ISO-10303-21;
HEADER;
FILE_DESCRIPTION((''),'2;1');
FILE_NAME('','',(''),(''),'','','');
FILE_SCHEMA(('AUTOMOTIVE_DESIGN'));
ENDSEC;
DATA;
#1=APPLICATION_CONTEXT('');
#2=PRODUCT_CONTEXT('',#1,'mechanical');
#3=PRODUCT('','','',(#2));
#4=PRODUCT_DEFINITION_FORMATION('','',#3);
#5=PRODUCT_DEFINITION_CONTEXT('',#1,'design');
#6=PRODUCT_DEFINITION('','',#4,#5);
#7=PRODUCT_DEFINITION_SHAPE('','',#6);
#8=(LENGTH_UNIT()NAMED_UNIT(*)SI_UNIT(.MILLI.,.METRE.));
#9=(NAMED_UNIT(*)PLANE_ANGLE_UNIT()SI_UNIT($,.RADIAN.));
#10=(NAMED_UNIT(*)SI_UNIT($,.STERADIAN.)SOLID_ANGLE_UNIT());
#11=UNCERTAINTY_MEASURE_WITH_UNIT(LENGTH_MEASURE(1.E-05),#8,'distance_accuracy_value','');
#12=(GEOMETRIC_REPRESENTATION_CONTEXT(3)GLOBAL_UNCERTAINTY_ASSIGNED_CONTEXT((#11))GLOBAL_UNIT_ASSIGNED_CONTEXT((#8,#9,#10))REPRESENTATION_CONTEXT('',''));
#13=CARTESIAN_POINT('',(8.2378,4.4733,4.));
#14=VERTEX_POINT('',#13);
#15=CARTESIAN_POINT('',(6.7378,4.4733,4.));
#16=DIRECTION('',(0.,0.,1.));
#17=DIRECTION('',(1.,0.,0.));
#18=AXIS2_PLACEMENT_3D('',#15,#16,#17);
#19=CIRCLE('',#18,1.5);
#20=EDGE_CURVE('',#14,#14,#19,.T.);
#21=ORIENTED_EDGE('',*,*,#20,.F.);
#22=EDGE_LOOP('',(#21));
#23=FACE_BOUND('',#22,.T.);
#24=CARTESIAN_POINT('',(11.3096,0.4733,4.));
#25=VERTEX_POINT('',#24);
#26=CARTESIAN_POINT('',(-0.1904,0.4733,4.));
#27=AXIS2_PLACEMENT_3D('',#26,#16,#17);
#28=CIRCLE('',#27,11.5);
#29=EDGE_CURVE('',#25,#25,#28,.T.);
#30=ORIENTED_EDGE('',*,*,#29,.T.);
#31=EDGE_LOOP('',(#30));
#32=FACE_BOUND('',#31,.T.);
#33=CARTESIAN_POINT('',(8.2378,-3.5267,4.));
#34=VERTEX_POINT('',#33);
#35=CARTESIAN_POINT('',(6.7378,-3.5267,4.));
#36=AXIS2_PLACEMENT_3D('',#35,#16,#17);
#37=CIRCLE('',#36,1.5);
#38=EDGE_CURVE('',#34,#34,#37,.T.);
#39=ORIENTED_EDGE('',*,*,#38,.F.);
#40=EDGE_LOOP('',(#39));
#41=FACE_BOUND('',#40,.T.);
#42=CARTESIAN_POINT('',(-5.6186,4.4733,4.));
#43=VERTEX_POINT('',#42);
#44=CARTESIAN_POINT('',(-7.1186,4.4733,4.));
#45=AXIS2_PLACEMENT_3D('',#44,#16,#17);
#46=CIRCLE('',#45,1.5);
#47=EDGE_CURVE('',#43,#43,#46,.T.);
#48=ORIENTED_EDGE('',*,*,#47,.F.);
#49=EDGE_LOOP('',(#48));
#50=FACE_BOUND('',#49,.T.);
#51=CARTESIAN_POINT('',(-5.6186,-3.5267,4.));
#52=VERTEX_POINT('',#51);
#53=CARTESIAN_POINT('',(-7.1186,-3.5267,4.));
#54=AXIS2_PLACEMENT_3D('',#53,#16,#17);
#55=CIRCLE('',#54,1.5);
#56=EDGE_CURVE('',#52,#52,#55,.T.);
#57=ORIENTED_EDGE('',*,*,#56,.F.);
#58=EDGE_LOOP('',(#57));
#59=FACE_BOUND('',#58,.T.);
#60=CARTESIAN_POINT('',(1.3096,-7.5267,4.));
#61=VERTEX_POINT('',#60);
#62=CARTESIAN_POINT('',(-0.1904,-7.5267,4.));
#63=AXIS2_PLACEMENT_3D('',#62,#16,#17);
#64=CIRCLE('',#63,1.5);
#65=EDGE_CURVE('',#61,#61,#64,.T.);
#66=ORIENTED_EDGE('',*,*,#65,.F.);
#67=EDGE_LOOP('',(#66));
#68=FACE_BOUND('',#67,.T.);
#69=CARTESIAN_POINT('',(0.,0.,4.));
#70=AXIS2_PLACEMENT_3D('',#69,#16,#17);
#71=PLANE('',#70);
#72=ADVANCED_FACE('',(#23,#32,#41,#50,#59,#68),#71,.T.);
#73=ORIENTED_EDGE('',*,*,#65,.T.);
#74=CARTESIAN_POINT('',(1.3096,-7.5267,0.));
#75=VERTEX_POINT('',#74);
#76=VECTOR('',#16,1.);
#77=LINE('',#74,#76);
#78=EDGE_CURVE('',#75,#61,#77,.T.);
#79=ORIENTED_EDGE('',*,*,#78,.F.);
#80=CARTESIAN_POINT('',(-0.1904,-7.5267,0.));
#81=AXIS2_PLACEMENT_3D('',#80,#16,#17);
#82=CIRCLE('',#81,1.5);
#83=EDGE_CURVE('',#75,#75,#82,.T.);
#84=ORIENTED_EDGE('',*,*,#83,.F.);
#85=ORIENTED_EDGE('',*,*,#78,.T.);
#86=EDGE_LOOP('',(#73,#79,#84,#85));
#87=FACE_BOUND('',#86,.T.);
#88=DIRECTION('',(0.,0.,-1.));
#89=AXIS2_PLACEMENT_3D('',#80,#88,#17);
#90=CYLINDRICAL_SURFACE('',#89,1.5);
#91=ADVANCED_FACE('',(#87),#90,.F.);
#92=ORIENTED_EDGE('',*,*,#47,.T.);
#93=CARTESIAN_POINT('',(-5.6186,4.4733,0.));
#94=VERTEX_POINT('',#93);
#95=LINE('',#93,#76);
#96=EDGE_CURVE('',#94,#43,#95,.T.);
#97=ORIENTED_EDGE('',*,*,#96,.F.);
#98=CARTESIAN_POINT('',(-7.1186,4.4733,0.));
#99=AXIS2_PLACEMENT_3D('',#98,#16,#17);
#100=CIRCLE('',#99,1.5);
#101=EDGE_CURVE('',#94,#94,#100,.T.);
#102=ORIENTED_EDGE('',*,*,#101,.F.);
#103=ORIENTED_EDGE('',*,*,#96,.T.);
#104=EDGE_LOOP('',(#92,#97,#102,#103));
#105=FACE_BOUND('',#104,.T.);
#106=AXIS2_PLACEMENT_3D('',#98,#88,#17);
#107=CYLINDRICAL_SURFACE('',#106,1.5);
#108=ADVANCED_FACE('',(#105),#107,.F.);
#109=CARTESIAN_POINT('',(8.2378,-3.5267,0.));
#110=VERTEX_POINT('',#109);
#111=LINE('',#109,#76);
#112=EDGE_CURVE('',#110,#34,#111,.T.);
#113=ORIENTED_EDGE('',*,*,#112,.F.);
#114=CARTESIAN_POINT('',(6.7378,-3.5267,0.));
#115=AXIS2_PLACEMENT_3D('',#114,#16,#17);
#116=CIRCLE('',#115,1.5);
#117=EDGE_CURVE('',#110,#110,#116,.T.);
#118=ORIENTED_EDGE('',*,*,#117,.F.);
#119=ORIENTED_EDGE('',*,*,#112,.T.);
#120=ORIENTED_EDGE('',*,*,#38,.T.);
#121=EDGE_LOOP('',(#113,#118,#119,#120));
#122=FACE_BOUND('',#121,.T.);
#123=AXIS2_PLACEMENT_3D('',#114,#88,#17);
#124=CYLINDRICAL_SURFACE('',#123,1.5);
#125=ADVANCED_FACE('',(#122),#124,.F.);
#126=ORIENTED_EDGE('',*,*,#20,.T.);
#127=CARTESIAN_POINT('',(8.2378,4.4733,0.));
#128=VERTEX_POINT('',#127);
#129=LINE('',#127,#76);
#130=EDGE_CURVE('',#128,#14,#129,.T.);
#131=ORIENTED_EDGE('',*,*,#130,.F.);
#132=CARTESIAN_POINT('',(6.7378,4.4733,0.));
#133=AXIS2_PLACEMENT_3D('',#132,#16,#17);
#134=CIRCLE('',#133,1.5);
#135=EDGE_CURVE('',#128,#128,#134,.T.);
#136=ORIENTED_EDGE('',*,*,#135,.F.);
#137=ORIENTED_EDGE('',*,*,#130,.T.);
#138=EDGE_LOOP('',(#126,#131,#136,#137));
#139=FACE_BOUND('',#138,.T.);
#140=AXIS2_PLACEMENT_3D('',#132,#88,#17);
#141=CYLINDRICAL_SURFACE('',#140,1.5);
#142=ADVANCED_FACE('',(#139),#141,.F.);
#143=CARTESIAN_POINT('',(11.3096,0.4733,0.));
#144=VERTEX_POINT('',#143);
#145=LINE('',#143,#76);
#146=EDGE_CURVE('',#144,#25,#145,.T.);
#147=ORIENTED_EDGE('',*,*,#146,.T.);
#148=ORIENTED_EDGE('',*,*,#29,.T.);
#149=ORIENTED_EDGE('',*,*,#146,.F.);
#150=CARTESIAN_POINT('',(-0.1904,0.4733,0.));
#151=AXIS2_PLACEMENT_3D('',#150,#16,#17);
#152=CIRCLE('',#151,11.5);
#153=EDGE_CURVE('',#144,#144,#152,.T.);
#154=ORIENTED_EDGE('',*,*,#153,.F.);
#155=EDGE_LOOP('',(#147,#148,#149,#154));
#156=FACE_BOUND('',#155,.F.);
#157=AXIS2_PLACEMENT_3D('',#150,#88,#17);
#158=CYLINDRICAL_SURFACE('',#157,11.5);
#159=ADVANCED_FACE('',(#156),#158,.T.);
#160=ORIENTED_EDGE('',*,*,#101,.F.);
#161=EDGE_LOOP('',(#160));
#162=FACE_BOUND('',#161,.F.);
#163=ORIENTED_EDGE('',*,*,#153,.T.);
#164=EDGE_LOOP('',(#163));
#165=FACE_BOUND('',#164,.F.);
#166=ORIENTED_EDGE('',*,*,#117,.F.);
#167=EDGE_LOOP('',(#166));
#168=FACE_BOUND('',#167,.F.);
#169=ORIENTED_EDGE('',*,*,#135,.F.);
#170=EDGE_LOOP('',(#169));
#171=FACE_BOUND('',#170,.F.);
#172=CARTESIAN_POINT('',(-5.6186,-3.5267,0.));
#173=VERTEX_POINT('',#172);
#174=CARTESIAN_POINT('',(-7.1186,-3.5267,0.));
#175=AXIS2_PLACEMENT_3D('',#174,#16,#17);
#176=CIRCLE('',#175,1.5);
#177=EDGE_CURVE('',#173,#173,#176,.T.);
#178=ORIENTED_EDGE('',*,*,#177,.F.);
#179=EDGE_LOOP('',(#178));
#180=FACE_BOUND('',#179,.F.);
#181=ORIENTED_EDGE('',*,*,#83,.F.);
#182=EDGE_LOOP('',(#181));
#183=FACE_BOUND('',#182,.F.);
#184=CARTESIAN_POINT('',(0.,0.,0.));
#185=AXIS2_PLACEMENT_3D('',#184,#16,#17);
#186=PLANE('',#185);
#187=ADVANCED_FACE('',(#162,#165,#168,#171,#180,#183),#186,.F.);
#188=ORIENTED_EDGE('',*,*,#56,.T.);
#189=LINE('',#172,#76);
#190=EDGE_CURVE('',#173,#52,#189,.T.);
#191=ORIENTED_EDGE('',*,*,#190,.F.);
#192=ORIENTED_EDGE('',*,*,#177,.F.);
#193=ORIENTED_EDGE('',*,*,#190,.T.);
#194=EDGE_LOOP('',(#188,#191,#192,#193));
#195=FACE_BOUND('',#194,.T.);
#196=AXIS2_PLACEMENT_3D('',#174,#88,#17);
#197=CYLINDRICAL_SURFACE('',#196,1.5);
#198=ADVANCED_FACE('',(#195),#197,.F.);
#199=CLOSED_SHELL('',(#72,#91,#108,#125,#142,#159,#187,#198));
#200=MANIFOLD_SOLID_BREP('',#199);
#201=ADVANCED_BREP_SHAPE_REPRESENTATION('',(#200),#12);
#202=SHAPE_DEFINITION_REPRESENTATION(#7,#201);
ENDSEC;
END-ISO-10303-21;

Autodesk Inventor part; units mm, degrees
ref_plane "YZ Plane" through (0, 0, 0) normal (1, 0, 0) x (0, 1, 0)
ref_plane "XZ Plane" through (0, 0, 0) normal (0, 1, 0) x (-1, 0, 0)
ref_plane "XY Plane" through (0, 0, 0) normal (0, 0, 1) x (1, 0, 0)
sketch "Эскиз1" plane through (0, 0, 0) normal (0, 0, 1) x (1, 0, 0)
  circle A0 centre (-7.1186, 4.4733) radius 1.25
  circle A1 centre (-7.1186, -3.5267) radius 1.25
  circle A2 centre (-0.1904, 0.4733) radius 4.925
  circle A3 centre (-0.1904, -7.5267) radius 1.25
  circle A4 centre (6.7378, -3.5267) radius 1.25
  circle A5 centre (6.7378, 4.4733) radius 1.25
  circle A6 centre (-7.1186, 4.4733) radius 1.5
  circle A7 centre (-0.1904, 0.4733) radius 11.5
  circle A8 centre (-7.1186, -3.5267) radius 1.5
  circle A9 centre (-0.1904, -7.5267) radius 1.5
  circle A10 centre (6.7378, -3.5267) radius 1.5
  circle A11 centre (6.7378, 4.4733) radius 1.5
  point P0 (0, 0)
  dimension "d0" = 3
  dimension "d1" = 23
  dimension "d2" = 3
  dimension "d3" = 3
  dimension "d4" = 3
  dimension "d5" = 3
extrude "Выдавливание1" add sketch "Эскиз1" along normal blind 4 contours A2 | A7
properties part number "проставка шкив стреляло"
